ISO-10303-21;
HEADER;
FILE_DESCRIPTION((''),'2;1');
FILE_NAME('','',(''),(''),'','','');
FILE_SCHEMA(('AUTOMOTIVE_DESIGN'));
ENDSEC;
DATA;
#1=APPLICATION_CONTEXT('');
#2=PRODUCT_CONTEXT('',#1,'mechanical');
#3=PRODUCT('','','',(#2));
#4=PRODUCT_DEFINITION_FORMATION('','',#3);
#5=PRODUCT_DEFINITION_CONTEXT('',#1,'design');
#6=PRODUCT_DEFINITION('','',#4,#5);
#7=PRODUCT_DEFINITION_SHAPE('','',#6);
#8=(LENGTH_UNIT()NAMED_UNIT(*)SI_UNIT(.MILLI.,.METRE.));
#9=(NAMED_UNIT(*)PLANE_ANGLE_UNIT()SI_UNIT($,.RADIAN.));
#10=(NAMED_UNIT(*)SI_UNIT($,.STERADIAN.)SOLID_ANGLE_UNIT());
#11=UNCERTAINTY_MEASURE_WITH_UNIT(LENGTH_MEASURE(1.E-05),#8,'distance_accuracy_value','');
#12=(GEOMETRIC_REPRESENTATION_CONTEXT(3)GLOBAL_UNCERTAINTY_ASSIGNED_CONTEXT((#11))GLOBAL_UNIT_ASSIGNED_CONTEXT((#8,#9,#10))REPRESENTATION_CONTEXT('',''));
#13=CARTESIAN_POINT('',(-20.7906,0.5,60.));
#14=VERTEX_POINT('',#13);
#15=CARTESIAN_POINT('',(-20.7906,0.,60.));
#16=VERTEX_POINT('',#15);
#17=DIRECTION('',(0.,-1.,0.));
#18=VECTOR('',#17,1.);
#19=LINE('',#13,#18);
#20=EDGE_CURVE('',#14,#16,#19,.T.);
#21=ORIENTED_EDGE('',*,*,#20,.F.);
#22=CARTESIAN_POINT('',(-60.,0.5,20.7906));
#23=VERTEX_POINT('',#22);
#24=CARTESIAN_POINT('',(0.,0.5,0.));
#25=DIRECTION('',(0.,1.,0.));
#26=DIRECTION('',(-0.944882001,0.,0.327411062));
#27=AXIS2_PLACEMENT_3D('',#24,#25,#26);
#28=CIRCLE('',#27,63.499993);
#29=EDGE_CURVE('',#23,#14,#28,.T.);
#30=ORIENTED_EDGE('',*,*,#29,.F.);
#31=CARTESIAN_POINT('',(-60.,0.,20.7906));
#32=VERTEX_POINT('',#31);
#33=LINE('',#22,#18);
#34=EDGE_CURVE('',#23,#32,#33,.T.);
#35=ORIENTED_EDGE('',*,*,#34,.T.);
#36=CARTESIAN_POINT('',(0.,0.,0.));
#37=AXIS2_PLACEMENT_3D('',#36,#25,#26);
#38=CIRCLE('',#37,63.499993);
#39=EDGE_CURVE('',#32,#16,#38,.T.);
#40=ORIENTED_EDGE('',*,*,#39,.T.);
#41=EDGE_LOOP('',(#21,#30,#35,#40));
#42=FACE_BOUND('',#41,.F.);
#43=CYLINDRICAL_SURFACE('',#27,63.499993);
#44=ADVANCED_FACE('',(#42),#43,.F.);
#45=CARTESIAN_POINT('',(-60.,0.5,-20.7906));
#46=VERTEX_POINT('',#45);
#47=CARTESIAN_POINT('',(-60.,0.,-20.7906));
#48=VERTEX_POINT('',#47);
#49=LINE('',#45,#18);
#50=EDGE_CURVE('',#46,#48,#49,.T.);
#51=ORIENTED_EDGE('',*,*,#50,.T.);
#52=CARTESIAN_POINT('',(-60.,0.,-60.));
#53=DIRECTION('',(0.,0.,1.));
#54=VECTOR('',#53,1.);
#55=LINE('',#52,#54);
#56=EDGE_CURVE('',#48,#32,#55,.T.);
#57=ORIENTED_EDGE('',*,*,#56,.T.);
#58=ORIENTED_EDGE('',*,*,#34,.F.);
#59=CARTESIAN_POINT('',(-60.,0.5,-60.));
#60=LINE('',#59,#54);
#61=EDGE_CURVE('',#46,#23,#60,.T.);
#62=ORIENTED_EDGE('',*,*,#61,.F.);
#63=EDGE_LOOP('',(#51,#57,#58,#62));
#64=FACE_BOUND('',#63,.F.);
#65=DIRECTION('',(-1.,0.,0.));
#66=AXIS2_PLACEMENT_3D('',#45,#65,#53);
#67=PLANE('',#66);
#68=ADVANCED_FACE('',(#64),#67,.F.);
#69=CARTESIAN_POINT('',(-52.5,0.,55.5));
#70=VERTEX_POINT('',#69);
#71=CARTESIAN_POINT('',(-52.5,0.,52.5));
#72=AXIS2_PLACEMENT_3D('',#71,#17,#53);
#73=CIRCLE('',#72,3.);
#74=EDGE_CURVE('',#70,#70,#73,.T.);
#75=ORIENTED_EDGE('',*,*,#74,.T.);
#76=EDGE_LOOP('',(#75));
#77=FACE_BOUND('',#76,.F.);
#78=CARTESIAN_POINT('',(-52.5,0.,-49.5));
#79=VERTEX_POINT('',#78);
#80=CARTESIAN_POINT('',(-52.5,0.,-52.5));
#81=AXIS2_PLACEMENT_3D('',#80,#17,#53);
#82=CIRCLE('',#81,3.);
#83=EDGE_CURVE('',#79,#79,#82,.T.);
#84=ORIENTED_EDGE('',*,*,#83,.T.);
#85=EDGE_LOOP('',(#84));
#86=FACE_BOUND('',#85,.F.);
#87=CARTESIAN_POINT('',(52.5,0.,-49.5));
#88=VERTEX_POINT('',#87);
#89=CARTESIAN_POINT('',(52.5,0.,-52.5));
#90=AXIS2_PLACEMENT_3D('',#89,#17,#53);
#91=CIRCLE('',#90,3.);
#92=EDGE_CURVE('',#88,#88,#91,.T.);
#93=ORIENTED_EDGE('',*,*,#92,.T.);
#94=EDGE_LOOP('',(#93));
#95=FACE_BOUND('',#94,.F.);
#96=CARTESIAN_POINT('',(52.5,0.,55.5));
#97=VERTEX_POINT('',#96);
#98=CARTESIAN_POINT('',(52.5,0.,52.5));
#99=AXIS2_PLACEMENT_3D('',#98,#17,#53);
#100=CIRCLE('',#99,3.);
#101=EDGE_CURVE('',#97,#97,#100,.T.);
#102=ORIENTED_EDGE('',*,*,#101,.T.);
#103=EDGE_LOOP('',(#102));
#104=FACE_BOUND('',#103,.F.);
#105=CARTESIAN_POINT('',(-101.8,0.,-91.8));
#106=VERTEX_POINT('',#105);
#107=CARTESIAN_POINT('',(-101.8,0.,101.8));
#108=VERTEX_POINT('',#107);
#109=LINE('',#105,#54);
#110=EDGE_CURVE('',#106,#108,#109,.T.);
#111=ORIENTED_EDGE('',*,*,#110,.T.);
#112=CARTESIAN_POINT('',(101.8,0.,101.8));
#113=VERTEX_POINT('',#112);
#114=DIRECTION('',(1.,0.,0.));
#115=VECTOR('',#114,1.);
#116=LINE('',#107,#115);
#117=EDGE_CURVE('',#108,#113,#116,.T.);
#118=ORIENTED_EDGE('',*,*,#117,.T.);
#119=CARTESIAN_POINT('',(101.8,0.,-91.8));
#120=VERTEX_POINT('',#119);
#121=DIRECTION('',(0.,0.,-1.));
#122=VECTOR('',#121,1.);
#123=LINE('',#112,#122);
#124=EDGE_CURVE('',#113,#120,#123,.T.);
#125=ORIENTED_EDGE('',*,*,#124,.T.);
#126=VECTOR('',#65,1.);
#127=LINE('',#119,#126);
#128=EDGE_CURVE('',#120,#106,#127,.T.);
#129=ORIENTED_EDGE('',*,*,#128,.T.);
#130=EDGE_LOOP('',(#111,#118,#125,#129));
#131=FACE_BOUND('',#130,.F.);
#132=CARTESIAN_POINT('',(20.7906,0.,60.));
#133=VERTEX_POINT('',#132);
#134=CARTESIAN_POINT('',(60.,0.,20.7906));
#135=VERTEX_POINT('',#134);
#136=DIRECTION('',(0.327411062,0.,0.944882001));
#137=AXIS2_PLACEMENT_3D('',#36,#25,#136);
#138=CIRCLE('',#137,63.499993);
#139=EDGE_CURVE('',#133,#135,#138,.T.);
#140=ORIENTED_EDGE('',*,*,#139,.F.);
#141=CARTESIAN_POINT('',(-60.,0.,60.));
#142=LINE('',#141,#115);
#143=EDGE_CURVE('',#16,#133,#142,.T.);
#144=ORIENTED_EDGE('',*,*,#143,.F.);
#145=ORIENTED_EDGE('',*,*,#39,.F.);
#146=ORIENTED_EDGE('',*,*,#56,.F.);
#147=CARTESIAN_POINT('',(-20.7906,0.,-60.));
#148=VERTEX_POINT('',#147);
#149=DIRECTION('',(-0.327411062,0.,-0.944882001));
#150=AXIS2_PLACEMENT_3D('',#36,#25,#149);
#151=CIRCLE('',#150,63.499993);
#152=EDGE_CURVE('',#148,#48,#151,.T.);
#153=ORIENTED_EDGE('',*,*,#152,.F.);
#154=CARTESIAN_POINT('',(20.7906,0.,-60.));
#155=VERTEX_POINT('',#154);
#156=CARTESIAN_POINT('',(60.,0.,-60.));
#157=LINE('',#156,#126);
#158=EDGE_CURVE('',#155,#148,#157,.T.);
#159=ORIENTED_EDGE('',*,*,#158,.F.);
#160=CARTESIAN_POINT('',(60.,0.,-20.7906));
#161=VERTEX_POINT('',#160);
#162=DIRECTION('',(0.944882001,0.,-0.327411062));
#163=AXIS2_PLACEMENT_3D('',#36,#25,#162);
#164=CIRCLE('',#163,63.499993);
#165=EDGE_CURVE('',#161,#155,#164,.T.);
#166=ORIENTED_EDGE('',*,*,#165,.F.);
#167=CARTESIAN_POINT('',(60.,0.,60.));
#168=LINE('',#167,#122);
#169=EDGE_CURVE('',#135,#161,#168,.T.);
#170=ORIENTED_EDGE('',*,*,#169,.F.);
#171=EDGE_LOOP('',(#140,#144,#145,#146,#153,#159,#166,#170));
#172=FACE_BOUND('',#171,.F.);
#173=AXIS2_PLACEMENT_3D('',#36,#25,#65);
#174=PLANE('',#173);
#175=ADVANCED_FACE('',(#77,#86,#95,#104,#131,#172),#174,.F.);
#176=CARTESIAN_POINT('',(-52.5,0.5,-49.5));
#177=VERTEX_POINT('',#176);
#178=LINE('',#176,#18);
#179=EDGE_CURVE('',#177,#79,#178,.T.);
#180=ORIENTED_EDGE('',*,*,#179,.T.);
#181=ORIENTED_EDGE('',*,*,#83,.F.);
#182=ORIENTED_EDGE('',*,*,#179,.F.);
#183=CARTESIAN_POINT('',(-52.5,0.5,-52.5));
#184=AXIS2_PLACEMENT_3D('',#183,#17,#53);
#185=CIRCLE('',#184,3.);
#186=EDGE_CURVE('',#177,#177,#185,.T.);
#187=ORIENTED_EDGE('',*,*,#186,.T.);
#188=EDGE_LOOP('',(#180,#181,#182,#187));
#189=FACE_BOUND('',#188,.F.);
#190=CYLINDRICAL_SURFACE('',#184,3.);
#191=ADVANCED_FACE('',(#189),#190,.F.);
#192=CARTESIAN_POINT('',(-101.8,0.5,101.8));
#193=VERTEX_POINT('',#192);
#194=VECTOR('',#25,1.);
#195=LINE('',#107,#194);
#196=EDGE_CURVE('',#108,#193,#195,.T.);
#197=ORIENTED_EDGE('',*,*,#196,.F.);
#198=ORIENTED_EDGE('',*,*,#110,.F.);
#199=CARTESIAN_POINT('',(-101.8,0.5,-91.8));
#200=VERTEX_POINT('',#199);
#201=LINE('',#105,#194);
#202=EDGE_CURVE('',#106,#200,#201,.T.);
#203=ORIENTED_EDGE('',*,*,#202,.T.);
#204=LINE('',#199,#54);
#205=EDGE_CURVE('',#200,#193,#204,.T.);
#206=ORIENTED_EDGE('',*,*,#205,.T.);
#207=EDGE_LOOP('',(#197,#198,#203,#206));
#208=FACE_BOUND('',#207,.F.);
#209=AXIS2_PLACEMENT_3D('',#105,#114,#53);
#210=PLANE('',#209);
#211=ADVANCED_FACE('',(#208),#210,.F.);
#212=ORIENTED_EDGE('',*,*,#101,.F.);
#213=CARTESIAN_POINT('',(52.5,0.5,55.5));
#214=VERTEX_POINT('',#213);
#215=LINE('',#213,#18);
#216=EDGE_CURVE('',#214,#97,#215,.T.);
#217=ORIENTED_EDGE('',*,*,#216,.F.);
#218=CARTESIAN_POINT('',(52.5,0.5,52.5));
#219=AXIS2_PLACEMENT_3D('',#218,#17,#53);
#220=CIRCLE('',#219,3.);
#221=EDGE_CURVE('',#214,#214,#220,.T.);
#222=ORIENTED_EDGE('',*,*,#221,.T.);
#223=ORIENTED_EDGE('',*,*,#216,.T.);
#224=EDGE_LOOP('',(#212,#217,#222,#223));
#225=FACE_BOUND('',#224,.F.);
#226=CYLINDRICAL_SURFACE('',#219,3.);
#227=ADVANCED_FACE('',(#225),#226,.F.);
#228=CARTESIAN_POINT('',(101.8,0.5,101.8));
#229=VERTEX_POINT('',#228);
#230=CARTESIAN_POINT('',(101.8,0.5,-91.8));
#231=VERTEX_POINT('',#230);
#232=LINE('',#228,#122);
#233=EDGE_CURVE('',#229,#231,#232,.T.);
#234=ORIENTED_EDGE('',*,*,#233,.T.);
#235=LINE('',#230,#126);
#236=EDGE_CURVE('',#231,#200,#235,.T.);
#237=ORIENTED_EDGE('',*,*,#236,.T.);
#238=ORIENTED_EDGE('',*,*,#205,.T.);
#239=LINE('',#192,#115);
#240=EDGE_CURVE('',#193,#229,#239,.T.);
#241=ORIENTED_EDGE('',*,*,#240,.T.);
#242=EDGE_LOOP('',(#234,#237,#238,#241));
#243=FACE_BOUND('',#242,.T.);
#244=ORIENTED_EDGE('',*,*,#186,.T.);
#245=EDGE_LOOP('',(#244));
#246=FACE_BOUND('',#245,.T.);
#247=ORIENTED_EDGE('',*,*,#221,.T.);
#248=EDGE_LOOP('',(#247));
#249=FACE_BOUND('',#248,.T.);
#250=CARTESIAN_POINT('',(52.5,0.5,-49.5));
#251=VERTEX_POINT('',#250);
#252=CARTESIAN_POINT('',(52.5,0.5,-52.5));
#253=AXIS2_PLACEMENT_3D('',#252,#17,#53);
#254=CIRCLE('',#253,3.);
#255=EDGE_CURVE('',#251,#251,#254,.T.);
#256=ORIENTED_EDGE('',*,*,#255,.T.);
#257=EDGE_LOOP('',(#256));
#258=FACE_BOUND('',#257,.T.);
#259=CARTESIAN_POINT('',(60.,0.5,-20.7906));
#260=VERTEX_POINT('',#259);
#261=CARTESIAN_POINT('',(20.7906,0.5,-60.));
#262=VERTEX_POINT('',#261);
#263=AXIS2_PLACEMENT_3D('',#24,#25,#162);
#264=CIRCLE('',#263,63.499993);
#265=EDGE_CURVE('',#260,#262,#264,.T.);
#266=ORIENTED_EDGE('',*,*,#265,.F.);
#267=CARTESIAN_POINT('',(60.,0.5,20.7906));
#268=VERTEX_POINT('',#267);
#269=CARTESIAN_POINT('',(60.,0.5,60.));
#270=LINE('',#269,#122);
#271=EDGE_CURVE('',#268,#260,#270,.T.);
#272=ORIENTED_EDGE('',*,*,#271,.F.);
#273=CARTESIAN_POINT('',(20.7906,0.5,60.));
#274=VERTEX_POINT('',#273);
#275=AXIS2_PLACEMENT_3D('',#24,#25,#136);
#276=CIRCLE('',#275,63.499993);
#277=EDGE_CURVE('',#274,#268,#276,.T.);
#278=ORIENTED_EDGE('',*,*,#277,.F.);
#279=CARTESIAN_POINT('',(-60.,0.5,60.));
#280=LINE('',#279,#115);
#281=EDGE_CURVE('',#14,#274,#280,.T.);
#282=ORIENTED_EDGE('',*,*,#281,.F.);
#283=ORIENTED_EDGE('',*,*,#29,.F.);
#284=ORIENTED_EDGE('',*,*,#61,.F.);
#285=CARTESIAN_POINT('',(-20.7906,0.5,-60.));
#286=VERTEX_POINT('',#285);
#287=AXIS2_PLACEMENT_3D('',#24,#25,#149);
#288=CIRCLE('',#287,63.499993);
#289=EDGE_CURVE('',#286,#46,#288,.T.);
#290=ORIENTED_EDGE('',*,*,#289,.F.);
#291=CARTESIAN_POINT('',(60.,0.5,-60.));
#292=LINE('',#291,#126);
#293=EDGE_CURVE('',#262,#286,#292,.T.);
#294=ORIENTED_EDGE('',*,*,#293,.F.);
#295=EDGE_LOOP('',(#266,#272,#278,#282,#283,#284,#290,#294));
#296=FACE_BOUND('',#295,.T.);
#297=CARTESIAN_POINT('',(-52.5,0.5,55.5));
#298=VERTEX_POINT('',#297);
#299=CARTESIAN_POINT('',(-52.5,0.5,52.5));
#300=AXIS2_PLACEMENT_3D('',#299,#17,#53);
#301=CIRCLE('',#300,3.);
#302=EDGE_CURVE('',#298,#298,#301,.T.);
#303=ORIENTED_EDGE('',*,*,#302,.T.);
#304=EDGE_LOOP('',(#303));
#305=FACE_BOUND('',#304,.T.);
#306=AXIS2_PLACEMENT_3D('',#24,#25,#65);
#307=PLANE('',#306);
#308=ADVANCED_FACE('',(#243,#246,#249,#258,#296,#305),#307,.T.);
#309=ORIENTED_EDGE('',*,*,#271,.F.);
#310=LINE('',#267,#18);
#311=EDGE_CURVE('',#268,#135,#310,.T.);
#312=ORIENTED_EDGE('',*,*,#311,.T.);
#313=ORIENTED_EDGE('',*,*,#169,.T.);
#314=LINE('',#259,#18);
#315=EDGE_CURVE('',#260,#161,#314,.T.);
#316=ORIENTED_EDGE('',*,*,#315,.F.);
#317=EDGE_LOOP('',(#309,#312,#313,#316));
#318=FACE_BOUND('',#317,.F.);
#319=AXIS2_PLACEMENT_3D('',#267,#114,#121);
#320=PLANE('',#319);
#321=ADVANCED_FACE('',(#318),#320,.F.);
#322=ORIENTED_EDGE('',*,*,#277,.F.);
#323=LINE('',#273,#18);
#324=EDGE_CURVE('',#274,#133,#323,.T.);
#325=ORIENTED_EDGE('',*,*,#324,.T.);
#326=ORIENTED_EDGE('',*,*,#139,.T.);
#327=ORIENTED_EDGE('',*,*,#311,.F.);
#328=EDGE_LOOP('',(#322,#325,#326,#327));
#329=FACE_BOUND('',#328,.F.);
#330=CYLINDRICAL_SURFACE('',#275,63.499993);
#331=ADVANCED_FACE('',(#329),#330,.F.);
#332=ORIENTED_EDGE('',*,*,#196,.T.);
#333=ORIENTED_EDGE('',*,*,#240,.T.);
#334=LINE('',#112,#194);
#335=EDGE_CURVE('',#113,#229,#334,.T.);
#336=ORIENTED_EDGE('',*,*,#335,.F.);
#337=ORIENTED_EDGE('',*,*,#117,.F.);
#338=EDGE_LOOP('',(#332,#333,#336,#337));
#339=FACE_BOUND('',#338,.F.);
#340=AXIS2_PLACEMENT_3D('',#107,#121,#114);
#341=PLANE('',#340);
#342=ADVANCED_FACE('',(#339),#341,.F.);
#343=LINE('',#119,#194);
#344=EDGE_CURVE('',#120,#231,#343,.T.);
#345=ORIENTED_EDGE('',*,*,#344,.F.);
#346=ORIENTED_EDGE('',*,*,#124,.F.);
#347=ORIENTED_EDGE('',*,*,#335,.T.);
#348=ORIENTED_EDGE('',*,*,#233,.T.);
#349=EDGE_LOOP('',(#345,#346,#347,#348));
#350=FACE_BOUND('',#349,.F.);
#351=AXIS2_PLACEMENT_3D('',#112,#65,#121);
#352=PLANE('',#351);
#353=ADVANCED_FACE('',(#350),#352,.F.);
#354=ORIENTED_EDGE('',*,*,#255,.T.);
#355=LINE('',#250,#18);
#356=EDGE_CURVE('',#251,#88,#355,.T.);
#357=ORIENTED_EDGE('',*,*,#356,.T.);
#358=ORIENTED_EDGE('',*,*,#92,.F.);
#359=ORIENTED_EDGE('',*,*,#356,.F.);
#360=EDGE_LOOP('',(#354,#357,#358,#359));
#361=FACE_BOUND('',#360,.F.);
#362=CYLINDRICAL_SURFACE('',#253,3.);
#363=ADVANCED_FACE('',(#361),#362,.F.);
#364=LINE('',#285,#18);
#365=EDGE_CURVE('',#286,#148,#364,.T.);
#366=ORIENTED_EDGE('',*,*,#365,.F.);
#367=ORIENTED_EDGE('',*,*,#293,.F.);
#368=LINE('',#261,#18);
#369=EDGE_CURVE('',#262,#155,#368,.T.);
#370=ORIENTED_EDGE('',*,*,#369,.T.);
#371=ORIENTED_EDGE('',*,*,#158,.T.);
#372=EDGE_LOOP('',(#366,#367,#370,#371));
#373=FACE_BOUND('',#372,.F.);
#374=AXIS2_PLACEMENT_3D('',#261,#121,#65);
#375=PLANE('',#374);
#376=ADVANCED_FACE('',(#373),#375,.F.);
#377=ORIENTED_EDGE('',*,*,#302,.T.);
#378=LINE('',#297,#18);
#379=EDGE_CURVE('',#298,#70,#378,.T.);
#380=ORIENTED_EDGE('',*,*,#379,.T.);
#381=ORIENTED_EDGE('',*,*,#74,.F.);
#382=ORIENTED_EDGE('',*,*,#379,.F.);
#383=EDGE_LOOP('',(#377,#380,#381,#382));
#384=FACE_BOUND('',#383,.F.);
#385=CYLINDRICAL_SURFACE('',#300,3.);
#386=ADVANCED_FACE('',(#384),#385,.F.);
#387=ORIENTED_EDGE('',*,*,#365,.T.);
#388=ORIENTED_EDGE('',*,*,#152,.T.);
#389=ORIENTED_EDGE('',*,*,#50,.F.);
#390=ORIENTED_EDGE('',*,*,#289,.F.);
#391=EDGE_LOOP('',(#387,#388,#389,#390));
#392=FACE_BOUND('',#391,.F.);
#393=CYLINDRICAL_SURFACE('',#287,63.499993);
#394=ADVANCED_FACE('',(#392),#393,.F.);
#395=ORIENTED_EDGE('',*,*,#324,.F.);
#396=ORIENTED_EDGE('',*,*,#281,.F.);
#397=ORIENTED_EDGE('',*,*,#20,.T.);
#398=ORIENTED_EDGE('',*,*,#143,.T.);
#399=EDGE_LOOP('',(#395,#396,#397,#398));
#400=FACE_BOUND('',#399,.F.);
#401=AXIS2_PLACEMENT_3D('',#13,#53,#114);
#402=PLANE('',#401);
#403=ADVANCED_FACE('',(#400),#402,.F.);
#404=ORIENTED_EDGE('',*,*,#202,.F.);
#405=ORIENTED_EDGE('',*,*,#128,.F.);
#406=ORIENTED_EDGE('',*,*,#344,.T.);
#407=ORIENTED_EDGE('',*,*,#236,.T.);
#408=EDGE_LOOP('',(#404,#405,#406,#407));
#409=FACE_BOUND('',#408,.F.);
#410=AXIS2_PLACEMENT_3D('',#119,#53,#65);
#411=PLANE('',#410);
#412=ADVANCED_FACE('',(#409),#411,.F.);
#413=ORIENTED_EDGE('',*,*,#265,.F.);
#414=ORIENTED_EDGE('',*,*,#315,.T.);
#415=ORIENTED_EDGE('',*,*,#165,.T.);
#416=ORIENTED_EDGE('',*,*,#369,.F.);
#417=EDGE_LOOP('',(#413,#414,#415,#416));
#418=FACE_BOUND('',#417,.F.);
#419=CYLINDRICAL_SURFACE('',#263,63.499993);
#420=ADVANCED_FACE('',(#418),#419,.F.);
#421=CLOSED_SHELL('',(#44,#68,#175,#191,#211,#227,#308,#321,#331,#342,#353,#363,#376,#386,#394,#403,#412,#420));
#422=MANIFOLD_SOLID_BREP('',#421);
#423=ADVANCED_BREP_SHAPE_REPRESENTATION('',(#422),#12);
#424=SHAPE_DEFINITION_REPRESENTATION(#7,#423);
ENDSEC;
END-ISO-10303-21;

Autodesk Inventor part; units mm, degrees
ref_plane "YZ Plane" through (0, 0, 0) normal (1, 0, 0) x (0, 1, 0)
ref_plane "XZ Plane" through (0, 0, 0) normal (0, 1, 0) x (-1, 0, 0)
ref_plane "XY Plane" through (0, 0, 0) normal (0, 0, 1) x (1, 0, 0)
sketch "Sketch1" plane through (0, 0, 0) normal (0, 1, 0) x (-1, 0, 0)
  line L0 (101.8, 101.8) -> (-101.8, 101.8)
  line L1 (-101.8, 101.8) -> (-101.8, -91.8)
  line L2 (-101.8, -91.8) -> (101.8, -91.8)
  line L3 (101.8, -91.8) -> (101.8, 101.8)
  point P0 (0, 101.8)
  point P1 (101.8, 5)
  dimension "d0" = 203.6
  dimension "d1" = 193.6
extrude "Plate1" add sketch "Sketch1" along normal blind 0.5
sketch "Sketch2" plane through (0, 0.5, 0) normal (0, 1, 0) x (1, 0, 0)
  line L0 (-52.5, -52.5) -> (52.5, 52.5) construction
  line L1 (52.5, -52.5) -> (-52.5, 52.5) construction
  point P0 (0, 0)
  point P1 (0, 0)
  dimension "d7" = 105
  dimension "d8" = 105
hole "Hole1" at (-52.5, 0.5, 52.5) at (-52.5, 0.5, -52.5) at (52.5, 0.5, 52.5) at (52.5, 0.5, -52.5) direction (0, -1, 0) diameter 6 depth 0.5 tip angle 118
sketch "Sketch3" plane through (0, 0.5, 0) normal (0, 1, 0) x (1, 0, 0)
  line L0 (-60, -60) -> (60, -60)
  line L1 (60, -60) -> (60, 60)
  line L2 (60, 60) -> (-60, 60)
  line L3 (-60, 60) -> (-60, -60)
  arc A0 (-60, -20.7906) -> (-20.7906, -60) centre (0, 0) ccw
  arc A1 (20.7906, -60) -> (60, -20.7906) centre (0, 0) ccw
  arc A2 (60, 20.7906) -> (20.7906, 60) centre (0, 0) ccw
  arc A3 (-20.7906, 60) -> (-60, 20.7906) centre (0, 0) ccw
  point P0 (0, -48.7613)
  point P1 (-70.0637, 0)
  point P2 (-60, 0)
  point P3 (0, -60)
  dimension "d17" = 120
extrude "Cut1" cut sketch "Sketch3" against normal blind 0.5 contours A0 L3 A3 L2 A2 L1 A1 L0
equation "\"d8\" = d7"
equation "\"d14\" = Thickness"
equation "\"d19\" = Thickness"
equation "\"d2\" = Thickness"
equation "\"BendRadius\" = Thickness"
equation "\"BendReliefWidth\" = Thickness"
equation "\"BendReliefDepth\" = 0.5 * Thickness"
equation "\"CornerReliefSize\" = 4 * Thickness"
equation "\"MinimumRemnant\" = 2 * Thickness"
equation "\"TransitionRadius\" = BendRadius"
equation "\"JacobiRadiusSize\" = BendRadius"
equation "\"GapSize\" = Thickness"
equation "\"Thickness\" = 0.5"
properties part number "top panel" material "Stainless Steel"
